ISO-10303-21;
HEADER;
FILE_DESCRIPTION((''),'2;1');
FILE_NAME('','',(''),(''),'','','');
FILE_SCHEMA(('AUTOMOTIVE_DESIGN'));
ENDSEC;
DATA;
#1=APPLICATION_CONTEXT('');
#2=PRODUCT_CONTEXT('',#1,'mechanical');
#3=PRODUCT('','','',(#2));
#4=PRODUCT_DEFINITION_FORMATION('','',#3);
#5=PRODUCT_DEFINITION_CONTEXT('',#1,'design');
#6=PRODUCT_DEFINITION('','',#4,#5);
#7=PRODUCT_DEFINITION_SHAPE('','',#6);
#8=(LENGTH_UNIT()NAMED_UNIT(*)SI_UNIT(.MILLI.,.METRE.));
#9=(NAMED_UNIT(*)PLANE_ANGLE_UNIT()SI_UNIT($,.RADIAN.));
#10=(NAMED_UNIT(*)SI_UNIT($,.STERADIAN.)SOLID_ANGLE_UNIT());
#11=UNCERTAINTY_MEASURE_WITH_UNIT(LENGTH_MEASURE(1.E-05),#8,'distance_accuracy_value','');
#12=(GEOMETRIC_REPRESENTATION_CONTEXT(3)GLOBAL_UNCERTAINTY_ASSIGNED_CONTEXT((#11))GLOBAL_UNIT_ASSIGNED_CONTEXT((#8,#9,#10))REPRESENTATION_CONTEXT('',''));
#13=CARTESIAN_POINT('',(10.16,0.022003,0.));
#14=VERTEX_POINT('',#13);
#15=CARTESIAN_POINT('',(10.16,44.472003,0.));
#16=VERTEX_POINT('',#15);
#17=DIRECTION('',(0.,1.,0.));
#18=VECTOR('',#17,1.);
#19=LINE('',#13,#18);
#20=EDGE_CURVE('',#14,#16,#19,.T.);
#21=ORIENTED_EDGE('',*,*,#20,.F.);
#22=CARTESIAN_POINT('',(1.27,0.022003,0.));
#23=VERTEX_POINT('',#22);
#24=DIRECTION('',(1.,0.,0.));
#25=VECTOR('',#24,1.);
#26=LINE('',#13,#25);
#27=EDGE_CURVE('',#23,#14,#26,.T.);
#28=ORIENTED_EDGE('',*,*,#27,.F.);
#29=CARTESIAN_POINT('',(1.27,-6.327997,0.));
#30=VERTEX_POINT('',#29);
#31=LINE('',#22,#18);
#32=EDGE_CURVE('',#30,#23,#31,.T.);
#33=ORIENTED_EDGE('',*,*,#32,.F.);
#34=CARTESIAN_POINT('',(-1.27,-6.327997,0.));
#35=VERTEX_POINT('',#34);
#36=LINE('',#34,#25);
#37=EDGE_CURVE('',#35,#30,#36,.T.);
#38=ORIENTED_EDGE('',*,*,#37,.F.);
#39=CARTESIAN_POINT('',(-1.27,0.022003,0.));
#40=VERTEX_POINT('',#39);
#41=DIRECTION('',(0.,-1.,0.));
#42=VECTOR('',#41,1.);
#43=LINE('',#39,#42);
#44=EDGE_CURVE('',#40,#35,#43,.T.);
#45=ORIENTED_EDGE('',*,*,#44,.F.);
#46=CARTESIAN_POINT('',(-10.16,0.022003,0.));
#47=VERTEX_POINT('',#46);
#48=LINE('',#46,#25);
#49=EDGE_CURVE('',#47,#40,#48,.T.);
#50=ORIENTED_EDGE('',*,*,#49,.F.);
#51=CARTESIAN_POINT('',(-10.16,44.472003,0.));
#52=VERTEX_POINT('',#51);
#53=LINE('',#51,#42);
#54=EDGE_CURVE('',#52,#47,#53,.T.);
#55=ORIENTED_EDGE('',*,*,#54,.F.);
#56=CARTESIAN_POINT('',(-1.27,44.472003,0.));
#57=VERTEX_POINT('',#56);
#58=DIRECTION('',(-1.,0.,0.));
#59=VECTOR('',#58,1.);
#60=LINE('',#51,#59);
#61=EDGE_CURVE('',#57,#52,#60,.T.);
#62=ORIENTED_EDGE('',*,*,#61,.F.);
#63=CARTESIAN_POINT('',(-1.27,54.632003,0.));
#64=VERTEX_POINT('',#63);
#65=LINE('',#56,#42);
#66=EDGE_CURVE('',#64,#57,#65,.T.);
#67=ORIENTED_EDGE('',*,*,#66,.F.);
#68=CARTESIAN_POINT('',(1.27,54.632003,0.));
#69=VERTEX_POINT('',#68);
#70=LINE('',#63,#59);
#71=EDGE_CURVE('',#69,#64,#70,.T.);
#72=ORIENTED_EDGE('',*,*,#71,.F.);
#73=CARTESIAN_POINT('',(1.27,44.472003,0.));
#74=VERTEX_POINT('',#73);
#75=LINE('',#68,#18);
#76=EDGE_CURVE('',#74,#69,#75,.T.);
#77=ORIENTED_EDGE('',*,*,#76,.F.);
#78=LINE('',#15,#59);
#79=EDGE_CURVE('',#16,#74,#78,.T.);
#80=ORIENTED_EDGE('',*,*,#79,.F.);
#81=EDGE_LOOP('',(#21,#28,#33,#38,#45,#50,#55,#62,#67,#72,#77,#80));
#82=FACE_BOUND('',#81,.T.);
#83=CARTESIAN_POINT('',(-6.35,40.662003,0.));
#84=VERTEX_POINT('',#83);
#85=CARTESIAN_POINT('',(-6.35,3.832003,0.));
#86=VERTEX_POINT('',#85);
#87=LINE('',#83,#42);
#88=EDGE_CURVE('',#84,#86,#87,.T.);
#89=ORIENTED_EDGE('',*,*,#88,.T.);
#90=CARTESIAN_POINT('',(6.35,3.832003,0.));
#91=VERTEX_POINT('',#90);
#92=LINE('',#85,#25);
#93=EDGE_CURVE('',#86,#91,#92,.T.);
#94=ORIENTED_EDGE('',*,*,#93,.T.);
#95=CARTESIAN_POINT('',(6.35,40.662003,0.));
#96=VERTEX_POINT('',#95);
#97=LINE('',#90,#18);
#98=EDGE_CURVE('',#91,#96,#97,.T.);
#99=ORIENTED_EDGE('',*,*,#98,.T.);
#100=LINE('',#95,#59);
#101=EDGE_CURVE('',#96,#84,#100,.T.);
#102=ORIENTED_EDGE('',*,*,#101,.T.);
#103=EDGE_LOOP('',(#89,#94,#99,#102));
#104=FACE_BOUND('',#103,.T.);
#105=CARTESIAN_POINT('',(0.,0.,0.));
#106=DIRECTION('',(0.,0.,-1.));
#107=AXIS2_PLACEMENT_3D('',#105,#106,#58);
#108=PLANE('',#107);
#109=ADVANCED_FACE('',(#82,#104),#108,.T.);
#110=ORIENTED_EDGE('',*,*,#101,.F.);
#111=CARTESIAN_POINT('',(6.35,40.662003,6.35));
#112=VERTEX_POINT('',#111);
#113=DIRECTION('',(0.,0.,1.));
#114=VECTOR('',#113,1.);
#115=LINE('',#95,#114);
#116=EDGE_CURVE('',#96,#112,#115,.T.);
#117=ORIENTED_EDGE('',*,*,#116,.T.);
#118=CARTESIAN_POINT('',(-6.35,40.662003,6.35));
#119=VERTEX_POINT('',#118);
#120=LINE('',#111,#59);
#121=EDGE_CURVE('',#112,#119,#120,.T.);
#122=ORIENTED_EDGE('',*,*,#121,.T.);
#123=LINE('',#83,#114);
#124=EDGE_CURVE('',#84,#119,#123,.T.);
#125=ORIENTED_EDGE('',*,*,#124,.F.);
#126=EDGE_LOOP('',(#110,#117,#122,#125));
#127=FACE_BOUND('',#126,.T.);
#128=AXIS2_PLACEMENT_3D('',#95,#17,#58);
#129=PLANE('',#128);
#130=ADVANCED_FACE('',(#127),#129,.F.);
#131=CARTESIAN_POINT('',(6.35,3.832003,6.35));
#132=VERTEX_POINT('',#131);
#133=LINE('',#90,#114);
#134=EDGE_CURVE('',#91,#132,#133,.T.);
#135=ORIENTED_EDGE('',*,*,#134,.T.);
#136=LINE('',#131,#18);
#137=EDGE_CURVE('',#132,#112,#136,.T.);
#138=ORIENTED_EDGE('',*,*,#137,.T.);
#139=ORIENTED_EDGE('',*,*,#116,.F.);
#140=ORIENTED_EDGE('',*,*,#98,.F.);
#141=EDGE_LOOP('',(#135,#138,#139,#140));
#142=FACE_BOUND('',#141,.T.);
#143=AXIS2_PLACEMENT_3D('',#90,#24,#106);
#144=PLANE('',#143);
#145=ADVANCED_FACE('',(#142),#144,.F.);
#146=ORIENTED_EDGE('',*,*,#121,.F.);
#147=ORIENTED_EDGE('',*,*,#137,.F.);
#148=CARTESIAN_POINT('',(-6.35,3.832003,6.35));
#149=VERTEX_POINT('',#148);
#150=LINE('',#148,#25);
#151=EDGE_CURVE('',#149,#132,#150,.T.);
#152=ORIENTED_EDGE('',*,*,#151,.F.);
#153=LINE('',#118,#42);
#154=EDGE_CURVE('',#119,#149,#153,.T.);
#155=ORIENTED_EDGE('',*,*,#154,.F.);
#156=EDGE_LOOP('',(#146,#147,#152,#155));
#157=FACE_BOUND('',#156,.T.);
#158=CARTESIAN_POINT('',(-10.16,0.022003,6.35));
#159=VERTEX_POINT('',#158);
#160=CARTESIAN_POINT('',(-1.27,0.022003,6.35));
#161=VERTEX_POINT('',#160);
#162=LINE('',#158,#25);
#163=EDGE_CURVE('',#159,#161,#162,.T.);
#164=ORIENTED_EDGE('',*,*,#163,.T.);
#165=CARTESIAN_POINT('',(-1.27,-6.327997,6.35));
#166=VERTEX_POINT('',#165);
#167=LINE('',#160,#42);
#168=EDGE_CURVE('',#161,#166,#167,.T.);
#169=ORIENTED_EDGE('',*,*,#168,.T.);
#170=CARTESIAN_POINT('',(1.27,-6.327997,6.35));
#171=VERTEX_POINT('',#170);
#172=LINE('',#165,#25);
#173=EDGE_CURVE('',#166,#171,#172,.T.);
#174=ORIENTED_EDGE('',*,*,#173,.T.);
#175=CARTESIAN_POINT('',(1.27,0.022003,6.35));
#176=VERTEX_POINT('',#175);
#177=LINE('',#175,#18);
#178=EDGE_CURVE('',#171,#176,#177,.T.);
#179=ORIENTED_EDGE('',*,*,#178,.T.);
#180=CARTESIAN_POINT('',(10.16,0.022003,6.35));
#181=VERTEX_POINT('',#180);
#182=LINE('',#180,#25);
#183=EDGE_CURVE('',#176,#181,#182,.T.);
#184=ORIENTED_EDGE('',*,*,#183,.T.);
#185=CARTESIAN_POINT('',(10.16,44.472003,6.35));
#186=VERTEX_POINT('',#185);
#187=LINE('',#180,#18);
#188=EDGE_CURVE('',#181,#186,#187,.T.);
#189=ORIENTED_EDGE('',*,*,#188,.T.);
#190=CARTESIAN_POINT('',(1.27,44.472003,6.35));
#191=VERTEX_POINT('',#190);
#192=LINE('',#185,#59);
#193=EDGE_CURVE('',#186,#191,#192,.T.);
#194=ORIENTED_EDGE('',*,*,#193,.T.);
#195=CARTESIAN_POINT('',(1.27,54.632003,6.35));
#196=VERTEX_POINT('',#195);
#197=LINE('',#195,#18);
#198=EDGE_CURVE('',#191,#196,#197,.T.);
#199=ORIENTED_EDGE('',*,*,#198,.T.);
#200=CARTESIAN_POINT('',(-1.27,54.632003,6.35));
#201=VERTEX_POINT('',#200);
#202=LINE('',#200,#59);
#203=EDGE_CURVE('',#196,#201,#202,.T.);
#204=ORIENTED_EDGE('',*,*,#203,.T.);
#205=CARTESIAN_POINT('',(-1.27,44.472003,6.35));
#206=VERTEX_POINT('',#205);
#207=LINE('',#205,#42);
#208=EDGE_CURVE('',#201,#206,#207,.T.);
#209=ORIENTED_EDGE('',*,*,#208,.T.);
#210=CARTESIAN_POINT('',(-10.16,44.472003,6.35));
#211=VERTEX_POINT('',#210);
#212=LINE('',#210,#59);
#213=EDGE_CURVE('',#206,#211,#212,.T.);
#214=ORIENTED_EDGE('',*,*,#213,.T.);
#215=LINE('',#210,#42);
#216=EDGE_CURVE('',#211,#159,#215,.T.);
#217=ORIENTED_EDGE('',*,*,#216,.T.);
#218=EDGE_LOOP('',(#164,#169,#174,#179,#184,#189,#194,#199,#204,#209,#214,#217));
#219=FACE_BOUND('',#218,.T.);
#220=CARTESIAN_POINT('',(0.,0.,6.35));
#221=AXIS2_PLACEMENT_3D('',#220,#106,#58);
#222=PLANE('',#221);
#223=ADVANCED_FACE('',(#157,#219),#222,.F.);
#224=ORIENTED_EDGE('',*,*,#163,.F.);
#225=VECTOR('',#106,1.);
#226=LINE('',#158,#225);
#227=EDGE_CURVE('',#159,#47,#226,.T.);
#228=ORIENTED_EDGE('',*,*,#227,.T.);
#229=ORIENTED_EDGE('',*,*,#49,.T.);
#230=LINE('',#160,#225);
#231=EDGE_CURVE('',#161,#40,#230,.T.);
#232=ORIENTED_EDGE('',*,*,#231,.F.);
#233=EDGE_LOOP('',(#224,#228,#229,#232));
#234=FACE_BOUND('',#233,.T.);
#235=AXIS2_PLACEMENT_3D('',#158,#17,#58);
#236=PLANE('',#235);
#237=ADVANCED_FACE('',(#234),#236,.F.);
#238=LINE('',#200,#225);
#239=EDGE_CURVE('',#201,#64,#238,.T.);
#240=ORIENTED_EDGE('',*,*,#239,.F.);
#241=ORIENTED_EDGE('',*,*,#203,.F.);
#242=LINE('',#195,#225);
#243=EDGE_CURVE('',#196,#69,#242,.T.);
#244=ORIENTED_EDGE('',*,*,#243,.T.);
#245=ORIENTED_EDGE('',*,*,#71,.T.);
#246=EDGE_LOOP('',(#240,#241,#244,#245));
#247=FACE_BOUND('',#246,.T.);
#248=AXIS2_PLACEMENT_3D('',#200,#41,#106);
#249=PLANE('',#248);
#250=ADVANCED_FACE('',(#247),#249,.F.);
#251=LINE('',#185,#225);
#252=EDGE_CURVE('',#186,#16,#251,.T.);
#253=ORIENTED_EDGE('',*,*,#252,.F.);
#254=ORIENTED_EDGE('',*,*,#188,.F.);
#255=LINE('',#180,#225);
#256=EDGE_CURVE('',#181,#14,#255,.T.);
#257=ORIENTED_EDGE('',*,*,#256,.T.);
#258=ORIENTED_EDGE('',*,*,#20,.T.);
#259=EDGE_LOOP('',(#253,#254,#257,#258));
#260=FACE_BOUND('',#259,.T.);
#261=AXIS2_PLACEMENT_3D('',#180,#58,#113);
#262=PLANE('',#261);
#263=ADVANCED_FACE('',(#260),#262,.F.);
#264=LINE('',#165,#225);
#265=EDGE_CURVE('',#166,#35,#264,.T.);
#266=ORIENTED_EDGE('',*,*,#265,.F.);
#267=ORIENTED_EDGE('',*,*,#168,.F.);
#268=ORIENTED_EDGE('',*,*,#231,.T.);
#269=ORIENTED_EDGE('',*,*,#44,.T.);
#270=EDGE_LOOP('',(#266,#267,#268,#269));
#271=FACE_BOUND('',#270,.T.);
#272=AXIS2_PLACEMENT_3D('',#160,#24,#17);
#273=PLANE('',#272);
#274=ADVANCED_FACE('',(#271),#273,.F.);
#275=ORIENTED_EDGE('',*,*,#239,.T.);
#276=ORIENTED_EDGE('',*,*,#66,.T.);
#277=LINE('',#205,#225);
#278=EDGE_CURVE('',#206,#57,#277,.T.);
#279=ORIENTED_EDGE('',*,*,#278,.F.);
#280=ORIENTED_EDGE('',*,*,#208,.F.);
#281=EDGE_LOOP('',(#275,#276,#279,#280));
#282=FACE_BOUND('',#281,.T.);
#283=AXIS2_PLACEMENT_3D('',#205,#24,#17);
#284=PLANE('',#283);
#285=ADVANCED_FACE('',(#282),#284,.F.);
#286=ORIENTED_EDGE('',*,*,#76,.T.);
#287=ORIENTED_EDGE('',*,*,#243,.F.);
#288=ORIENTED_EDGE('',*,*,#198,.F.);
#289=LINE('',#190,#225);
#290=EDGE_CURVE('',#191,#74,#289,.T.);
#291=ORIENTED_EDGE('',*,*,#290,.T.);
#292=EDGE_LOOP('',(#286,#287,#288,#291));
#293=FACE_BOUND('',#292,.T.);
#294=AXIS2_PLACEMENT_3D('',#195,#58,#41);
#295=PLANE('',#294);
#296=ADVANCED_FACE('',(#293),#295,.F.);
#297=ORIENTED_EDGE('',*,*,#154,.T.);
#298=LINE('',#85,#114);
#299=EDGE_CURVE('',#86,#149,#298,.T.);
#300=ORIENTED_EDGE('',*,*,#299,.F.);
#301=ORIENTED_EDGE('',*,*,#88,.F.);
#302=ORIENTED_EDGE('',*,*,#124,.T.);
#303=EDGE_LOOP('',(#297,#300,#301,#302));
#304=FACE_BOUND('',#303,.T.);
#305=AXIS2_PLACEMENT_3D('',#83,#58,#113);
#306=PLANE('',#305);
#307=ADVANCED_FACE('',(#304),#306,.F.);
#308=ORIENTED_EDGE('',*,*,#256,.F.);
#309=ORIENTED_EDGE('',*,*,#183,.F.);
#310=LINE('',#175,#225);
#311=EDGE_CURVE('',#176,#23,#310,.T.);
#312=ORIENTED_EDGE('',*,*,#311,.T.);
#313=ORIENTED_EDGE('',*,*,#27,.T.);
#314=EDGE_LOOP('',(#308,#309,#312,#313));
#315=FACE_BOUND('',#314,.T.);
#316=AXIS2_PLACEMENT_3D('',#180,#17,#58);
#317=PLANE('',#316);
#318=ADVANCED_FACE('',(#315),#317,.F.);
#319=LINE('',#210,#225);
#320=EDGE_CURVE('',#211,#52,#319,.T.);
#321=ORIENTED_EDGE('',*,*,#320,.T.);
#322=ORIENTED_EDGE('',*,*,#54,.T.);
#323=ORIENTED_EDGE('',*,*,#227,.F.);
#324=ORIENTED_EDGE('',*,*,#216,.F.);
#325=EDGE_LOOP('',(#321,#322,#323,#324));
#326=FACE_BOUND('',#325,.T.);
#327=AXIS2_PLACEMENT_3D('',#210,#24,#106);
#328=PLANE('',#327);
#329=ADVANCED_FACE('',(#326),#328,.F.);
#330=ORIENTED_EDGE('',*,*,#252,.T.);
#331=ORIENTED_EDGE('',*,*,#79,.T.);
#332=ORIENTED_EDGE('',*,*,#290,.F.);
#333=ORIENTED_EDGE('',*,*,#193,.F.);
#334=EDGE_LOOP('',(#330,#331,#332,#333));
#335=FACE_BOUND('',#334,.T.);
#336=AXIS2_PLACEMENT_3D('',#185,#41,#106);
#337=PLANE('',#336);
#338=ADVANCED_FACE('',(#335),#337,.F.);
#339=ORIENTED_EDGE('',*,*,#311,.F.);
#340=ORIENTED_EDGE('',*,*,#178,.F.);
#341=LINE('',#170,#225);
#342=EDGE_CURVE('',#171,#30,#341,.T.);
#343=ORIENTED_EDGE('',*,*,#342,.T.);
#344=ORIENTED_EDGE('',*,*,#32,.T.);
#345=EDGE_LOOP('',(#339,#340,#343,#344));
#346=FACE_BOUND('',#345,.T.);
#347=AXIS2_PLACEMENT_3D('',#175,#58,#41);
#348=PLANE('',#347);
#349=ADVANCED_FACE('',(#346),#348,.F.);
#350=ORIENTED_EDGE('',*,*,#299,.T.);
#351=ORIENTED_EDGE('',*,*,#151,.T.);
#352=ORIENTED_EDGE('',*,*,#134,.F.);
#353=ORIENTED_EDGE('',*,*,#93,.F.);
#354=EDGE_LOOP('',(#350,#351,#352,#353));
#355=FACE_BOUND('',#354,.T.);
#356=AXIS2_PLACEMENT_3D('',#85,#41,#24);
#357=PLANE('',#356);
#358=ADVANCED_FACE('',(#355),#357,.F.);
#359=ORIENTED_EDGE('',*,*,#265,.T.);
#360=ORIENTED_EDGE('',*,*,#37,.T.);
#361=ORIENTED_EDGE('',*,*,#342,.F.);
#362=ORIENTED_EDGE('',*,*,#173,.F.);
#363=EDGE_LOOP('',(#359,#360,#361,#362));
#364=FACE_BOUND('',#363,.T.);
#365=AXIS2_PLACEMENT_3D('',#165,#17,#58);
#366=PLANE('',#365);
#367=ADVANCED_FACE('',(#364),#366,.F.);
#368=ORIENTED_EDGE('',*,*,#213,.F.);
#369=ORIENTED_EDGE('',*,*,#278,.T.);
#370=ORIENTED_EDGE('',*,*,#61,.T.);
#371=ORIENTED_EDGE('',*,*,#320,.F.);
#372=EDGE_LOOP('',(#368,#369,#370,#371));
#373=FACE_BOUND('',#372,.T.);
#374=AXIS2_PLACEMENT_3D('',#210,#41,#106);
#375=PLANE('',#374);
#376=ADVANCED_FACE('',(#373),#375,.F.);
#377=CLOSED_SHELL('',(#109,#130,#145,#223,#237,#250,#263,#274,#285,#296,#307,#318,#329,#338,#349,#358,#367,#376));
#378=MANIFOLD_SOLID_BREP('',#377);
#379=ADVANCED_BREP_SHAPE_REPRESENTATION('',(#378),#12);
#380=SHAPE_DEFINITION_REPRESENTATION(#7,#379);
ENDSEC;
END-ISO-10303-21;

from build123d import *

# Parameters (mm, degrees)
BOSS_EXTRUDE1_DEPTH = 6.35
SKETCH3_W           = 12.7
SKETCH3_H           = 36.83
CUT_EXTRUDE1_DEPTH  = 6.35


with BuildPart() as part:
    # Sketch1 → Boss-Extrude1 (new body)
    with BuildSketch(Plane.XY):
        Polygon((10.16, 0.022003094), (10.16, 44.472003094), (1.27, 44.472003094), (1.27, 54.632003094), (-1.27, 54.632003094), (-1.27, 44.472003094), (-10.16, 44.472003094), (-10.16, 0.022003094), (-1.27, 0.022003094), (-1.27, -6.327996906), (1.27, -6.327996906), (1.27, 0.022003094), align=None)
    extrude(amount=BOSS_EXTRUDE1_DEPTH)

    # Sketch3 → Cut-Extrude1 (cut)
    with BuildSketch(Plane.XY.offset(6.35)):
        with Locations((0, 22.247003094)):
            Rectangle(SKETCH3_W, SKETCH3_H)
    extrude(amount=-CUT_EXTRUDE1_DEPTH, mode=Mode.SUBTRACT)


solid = part.part
